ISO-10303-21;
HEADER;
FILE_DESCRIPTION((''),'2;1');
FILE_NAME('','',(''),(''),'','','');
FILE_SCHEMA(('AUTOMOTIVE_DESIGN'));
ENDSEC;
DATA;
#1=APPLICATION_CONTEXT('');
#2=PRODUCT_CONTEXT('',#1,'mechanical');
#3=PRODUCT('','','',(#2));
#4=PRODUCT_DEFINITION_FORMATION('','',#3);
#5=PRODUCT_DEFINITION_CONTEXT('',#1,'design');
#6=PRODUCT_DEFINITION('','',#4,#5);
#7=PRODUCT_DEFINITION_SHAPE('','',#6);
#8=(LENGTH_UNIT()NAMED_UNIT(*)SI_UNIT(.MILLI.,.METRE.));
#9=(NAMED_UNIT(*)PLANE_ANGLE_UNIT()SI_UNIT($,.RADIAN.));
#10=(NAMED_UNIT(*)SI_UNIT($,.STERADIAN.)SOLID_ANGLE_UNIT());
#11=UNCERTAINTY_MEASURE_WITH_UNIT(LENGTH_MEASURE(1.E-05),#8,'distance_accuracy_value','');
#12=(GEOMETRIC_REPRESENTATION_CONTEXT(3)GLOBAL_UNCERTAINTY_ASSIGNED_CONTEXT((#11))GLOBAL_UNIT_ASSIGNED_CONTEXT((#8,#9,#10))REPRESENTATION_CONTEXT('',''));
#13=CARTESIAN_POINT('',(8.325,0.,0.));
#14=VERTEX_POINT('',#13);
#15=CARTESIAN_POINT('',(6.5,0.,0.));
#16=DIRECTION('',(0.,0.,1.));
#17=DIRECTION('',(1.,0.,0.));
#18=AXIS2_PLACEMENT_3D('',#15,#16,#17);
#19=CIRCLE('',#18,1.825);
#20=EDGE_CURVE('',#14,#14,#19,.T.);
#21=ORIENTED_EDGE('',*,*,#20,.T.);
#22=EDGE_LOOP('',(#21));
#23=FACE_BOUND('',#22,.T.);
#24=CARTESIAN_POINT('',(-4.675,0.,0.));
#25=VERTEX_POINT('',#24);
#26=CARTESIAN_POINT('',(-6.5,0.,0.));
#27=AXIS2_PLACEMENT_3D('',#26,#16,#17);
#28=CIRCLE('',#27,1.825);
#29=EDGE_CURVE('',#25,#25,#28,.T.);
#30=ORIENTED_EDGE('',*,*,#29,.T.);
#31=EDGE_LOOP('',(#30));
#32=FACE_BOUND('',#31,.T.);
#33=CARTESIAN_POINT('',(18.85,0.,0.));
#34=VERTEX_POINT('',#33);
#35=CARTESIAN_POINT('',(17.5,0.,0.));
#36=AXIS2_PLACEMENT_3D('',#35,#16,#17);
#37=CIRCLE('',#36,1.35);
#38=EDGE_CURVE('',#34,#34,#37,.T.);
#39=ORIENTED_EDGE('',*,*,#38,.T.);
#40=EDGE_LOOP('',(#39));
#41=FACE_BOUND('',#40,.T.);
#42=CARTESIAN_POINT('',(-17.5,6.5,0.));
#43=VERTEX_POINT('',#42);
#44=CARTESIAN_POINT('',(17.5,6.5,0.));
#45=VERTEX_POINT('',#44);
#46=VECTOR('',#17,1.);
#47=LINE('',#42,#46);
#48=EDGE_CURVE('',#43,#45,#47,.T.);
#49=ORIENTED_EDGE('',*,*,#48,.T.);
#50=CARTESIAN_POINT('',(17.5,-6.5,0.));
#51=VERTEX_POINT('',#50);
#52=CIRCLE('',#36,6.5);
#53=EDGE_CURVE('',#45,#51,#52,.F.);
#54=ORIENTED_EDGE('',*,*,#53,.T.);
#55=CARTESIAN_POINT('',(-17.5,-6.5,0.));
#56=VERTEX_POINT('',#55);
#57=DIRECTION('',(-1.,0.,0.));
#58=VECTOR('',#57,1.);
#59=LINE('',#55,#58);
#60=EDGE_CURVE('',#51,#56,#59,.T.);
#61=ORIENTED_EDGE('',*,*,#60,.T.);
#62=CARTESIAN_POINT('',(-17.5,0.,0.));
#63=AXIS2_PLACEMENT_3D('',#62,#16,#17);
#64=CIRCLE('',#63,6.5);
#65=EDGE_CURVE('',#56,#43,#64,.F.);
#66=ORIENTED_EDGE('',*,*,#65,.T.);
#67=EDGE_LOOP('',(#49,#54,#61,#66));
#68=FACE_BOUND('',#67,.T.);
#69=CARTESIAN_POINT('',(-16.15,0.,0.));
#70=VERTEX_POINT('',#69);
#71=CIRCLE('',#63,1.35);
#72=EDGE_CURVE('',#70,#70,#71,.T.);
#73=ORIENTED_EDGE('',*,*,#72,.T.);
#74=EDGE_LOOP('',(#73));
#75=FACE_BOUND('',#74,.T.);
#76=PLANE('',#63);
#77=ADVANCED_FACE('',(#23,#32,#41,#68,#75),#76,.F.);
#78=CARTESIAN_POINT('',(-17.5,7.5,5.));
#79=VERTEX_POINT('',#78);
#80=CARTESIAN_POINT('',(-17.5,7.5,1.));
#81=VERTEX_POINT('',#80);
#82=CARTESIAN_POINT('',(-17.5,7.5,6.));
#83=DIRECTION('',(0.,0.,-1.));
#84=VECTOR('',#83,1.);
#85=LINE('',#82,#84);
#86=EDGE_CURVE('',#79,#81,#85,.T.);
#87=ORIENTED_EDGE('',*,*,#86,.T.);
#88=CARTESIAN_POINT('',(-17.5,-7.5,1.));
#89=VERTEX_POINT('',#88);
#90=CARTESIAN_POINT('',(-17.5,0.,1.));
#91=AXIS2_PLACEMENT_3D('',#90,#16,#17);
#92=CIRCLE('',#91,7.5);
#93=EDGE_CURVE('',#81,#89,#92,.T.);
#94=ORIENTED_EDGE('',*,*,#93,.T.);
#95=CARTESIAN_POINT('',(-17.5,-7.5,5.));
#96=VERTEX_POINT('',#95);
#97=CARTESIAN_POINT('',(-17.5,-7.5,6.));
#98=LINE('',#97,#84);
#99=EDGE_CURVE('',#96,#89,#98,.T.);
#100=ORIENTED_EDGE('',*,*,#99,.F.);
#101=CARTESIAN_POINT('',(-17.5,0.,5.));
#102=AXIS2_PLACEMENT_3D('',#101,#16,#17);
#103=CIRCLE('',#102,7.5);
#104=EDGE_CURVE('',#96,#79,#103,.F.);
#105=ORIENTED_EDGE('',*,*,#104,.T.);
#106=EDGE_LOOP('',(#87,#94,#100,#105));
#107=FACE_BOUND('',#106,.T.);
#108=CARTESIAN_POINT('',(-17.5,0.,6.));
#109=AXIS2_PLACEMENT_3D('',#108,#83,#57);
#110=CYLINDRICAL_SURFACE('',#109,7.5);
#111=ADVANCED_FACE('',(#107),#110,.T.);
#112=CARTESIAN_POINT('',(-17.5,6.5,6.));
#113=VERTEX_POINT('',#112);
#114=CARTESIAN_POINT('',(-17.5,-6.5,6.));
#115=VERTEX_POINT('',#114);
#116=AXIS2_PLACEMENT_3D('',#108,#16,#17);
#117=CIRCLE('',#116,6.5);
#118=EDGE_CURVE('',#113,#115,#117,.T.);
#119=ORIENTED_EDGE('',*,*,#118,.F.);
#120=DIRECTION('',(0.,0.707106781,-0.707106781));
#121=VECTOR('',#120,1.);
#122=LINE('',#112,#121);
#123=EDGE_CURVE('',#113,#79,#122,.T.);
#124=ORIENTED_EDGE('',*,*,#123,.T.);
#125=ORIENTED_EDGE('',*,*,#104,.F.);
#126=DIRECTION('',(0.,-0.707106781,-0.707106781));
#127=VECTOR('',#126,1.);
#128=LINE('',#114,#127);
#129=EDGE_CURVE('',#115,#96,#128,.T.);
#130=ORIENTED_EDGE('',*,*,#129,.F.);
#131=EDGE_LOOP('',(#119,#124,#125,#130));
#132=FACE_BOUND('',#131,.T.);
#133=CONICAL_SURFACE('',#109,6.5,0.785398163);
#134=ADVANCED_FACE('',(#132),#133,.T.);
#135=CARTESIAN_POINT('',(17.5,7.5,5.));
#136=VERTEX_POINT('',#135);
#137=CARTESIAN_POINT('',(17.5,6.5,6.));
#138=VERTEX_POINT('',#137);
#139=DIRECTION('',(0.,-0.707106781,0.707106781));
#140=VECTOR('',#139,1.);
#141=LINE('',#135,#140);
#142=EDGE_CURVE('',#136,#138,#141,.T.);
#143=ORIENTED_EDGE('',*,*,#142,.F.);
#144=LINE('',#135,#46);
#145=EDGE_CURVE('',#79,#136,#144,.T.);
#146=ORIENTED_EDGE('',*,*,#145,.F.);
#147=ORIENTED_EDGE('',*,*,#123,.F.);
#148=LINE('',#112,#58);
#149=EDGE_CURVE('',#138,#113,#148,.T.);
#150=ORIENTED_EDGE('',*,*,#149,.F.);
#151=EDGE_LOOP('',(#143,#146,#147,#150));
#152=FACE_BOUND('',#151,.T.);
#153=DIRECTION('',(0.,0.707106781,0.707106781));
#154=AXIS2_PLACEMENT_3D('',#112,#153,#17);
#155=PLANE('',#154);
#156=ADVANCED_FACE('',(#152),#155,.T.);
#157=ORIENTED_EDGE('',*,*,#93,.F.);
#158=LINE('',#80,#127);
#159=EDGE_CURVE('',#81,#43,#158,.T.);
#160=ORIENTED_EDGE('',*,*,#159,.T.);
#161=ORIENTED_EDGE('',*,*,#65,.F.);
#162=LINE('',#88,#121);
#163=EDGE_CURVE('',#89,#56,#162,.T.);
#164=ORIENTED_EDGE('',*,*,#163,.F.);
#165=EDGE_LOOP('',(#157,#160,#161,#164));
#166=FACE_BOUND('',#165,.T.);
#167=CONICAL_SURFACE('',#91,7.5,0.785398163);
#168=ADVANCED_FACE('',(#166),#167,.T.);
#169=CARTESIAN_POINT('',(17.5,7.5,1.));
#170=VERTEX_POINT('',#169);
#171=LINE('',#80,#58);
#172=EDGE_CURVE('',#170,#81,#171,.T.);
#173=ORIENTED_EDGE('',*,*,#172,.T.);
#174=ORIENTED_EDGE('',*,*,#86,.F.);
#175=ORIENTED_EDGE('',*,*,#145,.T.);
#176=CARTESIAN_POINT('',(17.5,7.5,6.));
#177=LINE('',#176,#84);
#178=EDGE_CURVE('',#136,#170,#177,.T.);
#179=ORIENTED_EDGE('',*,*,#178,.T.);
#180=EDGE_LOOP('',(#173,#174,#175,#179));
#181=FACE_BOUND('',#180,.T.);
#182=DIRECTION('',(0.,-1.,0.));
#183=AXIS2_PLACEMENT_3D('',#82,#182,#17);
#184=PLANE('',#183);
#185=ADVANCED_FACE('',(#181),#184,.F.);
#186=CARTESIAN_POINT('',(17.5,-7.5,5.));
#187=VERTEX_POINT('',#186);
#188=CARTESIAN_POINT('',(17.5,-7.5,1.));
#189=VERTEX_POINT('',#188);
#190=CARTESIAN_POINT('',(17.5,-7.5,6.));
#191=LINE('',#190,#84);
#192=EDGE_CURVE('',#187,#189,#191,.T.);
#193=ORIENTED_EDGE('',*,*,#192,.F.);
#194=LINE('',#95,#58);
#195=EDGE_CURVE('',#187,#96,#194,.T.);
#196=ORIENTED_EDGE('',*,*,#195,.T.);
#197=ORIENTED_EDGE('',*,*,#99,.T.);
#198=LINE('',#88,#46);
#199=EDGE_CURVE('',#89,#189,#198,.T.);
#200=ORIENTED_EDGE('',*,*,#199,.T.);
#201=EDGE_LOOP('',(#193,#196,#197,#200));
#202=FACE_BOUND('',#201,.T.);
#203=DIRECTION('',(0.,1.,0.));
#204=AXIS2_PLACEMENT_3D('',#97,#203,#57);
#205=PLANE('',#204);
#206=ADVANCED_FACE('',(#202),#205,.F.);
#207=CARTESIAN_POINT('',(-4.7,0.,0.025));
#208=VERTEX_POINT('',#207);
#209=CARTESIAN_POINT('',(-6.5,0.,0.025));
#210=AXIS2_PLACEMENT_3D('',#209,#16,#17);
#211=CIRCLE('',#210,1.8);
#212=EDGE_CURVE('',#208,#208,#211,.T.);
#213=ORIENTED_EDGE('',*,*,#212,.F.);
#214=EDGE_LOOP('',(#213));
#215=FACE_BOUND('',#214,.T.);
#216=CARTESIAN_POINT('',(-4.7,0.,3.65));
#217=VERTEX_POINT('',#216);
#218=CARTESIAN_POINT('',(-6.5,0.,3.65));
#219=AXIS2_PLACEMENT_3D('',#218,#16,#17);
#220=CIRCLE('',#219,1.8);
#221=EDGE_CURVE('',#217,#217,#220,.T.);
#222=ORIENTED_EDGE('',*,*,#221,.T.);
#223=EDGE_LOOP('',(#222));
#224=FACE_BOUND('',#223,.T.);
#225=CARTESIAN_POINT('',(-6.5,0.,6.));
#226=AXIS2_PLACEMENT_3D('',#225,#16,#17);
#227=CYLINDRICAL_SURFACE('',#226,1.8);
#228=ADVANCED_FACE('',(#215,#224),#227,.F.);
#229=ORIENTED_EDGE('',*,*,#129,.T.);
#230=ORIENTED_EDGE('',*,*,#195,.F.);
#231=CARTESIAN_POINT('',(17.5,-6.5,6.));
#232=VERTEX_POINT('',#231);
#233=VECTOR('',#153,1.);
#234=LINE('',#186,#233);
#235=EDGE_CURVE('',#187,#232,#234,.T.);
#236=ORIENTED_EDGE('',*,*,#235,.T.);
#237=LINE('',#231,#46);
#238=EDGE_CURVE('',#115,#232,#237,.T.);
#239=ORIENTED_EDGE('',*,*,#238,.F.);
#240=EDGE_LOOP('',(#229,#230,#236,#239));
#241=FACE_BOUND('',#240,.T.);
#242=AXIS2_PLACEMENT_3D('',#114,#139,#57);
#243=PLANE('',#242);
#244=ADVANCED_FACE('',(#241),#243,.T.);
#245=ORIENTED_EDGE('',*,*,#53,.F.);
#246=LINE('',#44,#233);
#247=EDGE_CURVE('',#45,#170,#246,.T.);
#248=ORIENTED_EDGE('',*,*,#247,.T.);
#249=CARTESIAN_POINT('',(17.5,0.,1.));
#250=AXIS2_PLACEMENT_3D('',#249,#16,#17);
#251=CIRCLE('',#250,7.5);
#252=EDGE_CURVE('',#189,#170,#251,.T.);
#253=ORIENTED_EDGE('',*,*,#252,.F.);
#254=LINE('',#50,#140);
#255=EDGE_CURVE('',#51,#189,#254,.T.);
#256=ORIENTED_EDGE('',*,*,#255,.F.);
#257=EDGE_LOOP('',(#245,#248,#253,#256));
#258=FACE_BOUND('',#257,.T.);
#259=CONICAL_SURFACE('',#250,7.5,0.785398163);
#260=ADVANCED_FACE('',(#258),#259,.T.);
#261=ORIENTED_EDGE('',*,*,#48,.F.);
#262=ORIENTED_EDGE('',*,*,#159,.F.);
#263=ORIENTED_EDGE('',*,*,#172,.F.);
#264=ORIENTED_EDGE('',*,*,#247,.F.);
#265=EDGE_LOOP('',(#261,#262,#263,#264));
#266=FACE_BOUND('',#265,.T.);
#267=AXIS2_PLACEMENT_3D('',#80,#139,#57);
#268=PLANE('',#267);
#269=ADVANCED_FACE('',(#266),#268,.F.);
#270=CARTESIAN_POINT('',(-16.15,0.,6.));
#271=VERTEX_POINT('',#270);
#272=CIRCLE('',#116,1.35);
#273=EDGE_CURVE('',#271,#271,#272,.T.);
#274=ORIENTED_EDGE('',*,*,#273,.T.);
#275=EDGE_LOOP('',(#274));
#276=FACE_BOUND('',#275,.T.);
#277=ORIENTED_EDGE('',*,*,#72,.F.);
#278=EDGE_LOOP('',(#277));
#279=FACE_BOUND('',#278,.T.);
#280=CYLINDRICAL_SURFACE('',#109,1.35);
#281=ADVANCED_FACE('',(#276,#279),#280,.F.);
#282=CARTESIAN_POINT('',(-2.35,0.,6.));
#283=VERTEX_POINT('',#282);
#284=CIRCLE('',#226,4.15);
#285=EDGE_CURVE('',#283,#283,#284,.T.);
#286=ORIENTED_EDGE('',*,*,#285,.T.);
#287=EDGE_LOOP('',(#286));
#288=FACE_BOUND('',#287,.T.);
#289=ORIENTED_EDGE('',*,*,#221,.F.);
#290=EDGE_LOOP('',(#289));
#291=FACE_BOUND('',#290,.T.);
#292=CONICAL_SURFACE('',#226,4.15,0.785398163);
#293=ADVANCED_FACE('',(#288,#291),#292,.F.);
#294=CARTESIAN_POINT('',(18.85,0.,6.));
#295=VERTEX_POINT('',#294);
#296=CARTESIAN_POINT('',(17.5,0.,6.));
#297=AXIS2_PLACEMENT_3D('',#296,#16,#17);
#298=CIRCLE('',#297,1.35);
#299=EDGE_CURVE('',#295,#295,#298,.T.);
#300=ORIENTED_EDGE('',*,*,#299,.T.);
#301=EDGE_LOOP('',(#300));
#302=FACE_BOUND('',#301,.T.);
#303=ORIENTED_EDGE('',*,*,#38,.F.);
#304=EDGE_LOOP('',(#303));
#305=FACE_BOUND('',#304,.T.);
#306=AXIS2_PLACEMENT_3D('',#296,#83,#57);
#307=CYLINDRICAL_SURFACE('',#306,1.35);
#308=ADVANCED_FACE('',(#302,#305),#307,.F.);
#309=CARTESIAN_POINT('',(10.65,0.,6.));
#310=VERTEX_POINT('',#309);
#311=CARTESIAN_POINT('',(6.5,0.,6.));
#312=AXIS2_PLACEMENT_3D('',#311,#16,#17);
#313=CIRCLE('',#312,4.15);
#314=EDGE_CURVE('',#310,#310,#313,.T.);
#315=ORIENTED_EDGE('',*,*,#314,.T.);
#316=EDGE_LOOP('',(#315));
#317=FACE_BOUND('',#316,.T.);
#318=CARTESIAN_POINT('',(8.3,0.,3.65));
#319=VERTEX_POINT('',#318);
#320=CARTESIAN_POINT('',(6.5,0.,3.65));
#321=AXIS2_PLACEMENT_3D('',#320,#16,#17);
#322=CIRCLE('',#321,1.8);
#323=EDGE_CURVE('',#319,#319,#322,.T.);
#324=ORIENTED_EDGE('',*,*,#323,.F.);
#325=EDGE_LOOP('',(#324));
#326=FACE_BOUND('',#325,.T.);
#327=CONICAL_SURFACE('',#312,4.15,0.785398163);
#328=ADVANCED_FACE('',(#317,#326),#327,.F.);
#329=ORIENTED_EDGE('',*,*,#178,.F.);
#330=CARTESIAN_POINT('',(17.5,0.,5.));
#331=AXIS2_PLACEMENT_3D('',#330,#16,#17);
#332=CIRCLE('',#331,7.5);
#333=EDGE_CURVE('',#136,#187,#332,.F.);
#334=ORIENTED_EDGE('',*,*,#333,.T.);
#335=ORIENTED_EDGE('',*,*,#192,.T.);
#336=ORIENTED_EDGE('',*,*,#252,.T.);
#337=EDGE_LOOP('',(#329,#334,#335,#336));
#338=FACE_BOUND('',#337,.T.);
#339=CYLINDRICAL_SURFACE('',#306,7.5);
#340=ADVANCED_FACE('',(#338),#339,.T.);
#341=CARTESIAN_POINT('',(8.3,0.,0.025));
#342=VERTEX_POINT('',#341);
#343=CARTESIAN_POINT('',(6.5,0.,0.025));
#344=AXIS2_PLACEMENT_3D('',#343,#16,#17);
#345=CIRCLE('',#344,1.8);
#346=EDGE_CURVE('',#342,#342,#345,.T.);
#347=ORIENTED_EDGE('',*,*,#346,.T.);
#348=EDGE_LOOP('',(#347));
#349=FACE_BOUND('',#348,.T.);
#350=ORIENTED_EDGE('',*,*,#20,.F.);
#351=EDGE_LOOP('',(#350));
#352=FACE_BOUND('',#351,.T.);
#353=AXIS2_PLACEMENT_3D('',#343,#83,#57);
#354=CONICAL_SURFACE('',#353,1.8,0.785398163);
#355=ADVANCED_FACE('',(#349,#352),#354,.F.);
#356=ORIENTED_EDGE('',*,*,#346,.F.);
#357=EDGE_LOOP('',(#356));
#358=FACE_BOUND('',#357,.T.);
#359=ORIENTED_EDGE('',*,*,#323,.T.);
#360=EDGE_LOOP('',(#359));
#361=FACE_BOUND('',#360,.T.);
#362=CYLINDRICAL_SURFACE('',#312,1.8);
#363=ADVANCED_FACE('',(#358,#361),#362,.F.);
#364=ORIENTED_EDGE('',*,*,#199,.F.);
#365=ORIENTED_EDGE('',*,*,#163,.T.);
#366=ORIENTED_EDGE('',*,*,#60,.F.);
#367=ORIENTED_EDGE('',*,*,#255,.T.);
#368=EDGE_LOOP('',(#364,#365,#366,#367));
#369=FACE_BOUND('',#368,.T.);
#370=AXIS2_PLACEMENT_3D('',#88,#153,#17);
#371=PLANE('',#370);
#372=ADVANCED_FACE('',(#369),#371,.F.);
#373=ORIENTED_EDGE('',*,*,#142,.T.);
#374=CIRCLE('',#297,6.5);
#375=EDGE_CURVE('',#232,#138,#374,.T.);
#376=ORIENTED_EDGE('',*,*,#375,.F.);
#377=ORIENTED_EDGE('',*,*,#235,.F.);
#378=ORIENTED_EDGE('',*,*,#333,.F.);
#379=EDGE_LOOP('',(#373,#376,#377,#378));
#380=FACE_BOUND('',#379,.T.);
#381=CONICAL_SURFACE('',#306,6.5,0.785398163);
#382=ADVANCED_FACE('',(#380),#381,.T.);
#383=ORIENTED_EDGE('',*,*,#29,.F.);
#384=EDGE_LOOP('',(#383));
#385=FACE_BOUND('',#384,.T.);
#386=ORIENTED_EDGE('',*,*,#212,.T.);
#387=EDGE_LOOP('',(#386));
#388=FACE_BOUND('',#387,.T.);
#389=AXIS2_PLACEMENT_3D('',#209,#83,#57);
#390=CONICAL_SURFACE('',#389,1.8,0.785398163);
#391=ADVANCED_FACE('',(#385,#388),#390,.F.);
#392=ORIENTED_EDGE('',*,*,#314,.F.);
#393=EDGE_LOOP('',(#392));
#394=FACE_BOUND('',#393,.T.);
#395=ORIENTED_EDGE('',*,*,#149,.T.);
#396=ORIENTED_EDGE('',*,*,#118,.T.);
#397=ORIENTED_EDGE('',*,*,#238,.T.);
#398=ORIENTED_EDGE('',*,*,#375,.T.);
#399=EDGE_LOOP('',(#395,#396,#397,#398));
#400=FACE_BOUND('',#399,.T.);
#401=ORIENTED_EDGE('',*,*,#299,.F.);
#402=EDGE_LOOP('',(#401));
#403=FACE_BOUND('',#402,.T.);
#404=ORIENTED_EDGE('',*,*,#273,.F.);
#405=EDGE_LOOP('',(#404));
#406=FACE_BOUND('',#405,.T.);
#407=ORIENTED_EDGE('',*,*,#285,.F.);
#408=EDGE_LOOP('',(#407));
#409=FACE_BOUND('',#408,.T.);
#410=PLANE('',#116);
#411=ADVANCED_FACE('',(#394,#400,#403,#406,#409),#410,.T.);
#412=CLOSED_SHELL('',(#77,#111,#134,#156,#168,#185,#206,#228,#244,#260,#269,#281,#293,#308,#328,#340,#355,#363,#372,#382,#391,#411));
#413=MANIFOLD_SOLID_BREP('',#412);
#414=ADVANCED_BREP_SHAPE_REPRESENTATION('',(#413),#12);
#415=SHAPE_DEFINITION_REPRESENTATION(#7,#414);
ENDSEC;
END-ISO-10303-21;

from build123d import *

# Parameters (mm, degrees)
SKETCH1_R                                    = 1.35
BOSS_EXTRUDE1_DEPTH                          = 6
CHAMFER1_SIZE                                = 1
CSK_FOR_M3_COUNTERSUNK_FLAT_HEAD_SCR_2_COUNT = 2
CSK_FOR_M3_COUNTERSUNK_FLAT_HEAD_SCR_2_PITCH = 13


with BuildPart() as part:
    # Sketch1 → Boss-Extrude1 (new body)
    with BuildSketch(Plane.XY):
        with BuildLine():
            Line((-17.5, 7.5), (17.5, 7.5))
            ThreePointArc((17.5, 7.5), (25, 0), (17.5, -7.5))
            Line((17.5, -7.5), (-17.5, -7.5))
            ThreePointArc((-17.5, -7.5), (-25, 0), (-17.5, 7.5))
        make_face()
        with Locations((-17.5, 0)):
            Circle(SKETCH1_R, mode=Mode.SUBTRACT)
        with Locations((17.5, 0)):
            Circle(SKETCH1_R, mode=Mode.SUBTRACT)
    extrude(amount=BOSS_EXTRUDE1_DEPTH)

    # Chamfer1
    chamfer1_edges = [part.edges().sort_by_distance(p)[0] for p in [
        (25, 0, 6),
        (0, 7.5, 6),
        (-25, 0, 6),
        (0, 7.5, 0),
        (25, 0, 0),
        (0, -7.5, 0),
        (-25, 0, 0),
        (0, -7.5, 6),
    ]]
    chamfer(chamfer1_edges, length=CHAMFER1_SIZE)

    # Sketch3 → CSK for M3 Countersunk Flat Head Screw1 (revolve, cut)
    with BuildSketch(Plane(origin=(6.5, 0, 6), x_dir=(0, -1, 0), z_dir=(1, 0, 0))):
        Polygon((0, 0), (0, 6), (1.825, 6), (1.8, 5.975), (1.8, 2.35), (4.15, 0), align=None)
    csk_for_m3_countersunk_flat_head_screw1 = revolve(axis=Axis((6.5, 0, 12.35), (0, 0, -1)), mode=Mode.SUBTRACT)

    # CSK for M3 Countersunk Flat Head Scr 2: CSK for M3 Countersunk Flat Head Screw1 ×2
    with Locations(*[(-i * CSK_FOR_M3_COUNTERSUNK_FLAT_HEAD_SCR_2_PITCH, 0, 0) for i in range(1, CSK_FOR_M3_COUNTERSUNK_FLAT_HEAD_SCR_2_COUNT)]):
        add(csk_for_m3_countersunk_flat_head_screw1, mode=Mode.SUBTRACT)


solid = part.part
